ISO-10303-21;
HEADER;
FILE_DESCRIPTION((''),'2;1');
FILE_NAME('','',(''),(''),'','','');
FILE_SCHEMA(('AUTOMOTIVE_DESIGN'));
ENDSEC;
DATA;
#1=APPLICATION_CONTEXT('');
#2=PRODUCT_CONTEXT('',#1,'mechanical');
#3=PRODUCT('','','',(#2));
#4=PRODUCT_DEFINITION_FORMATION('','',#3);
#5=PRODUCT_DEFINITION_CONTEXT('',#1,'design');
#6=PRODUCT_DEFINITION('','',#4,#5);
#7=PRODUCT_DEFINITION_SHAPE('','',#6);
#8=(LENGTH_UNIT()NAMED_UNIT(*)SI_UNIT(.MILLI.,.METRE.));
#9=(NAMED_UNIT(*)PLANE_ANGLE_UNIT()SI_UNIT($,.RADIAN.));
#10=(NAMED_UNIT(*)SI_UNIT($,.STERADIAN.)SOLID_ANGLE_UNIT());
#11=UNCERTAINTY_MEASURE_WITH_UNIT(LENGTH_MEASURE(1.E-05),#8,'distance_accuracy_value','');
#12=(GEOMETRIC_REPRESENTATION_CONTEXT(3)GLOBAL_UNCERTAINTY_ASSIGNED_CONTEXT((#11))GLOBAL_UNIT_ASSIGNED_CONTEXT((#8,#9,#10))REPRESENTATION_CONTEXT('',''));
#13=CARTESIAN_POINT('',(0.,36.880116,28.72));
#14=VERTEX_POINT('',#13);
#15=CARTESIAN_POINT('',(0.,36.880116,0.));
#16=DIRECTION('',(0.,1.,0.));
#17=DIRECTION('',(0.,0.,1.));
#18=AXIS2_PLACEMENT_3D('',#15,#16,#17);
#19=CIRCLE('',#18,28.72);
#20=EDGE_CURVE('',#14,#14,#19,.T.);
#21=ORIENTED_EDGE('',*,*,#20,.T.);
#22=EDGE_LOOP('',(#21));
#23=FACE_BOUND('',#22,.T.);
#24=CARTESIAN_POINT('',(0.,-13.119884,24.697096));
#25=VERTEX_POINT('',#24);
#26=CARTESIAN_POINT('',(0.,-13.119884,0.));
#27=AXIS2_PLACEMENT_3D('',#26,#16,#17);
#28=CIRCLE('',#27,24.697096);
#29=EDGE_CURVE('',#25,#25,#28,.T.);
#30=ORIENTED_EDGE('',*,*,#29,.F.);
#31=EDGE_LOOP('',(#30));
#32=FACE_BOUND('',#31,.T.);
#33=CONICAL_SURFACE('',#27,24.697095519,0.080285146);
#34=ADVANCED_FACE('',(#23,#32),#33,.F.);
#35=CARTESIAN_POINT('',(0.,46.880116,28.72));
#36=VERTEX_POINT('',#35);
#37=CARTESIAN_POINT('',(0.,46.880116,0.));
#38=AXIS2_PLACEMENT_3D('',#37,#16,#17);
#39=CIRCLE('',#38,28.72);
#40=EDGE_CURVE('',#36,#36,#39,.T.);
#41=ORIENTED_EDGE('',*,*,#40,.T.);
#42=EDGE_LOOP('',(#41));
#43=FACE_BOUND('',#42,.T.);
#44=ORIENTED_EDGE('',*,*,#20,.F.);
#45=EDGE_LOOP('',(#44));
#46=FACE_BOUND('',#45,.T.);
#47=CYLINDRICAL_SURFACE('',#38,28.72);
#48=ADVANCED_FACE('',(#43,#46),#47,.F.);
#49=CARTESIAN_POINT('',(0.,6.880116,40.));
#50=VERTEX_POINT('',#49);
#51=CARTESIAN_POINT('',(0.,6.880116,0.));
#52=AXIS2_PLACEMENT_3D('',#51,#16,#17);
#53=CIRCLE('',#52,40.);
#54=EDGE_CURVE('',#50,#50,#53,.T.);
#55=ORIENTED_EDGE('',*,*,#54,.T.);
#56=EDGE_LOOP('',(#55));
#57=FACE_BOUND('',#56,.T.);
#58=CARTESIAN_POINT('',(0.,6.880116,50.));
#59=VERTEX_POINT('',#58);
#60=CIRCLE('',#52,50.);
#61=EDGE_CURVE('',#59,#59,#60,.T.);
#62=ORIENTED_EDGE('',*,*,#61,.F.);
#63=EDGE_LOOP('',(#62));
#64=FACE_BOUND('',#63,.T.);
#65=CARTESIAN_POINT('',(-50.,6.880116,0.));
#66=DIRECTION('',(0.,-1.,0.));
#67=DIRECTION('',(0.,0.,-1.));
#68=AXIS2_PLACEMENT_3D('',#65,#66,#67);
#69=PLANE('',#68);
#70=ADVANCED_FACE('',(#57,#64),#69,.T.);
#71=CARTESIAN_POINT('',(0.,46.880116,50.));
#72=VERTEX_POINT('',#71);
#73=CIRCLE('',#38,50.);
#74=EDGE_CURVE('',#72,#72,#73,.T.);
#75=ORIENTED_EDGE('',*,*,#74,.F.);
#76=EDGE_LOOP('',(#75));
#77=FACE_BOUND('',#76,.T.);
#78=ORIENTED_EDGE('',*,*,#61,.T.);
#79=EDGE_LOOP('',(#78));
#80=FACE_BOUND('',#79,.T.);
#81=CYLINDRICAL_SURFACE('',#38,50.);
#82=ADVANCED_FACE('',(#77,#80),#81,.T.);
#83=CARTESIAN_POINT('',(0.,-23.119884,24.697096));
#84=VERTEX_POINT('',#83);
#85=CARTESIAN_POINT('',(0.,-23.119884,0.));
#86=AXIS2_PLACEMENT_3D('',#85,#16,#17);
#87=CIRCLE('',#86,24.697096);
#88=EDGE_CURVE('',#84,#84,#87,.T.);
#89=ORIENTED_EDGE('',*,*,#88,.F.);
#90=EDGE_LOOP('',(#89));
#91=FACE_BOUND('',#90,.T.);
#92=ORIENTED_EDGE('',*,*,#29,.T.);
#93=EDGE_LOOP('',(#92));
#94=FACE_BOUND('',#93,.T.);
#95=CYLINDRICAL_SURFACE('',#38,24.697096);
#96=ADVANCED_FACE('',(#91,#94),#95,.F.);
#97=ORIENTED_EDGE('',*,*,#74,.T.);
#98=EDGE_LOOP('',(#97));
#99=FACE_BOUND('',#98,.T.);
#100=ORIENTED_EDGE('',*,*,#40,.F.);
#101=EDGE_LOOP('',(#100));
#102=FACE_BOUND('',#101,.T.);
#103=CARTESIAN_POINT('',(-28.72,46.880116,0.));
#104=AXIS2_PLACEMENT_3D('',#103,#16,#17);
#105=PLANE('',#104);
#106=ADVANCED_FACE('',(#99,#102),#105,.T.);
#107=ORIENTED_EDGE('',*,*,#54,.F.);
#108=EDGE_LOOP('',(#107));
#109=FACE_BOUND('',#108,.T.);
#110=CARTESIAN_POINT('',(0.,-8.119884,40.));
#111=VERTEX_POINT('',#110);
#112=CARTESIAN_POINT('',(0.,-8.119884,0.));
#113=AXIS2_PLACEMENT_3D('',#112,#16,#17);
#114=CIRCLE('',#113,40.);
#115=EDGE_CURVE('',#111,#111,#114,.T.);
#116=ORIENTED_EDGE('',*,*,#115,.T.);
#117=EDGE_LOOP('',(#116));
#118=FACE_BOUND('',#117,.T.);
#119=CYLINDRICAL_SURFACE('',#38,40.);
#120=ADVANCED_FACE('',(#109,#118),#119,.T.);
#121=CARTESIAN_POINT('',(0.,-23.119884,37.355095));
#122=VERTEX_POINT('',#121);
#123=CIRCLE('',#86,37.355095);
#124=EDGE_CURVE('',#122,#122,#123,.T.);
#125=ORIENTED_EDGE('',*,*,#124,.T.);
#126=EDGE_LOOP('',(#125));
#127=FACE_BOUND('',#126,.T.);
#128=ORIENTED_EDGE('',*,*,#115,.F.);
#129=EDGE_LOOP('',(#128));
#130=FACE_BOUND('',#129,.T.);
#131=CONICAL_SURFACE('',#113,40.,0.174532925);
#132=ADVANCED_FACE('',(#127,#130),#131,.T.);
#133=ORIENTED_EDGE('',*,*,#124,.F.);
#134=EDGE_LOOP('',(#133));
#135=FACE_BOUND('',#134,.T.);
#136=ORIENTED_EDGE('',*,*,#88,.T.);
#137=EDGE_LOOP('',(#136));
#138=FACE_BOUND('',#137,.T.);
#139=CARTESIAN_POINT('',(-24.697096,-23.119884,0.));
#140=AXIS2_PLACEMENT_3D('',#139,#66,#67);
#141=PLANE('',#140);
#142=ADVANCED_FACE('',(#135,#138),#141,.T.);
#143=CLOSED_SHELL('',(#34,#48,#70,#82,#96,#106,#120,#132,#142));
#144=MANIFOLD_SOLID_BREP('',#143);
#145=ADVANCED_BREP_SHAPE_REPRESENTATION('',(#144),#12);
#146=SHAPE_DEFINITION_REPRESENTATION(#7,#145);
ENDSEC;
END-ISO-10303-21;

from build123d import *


with BuildPart() as part:
    # Szkic1 → Obrót1 (revolve)
    with BuildSketch(Plane.XY, mode=Mode.PRIVATE) as obr_t1_sk:
        Polygon((-28.72, 46.880116473), (-28.72, 36.880116473), (-24.697095519, -13.119883527), (-24.697095519, -23.119883527), (-37.355095289, -23.119883527), (-40, -8.119883527), (-40, 6.880116473), (-50, 6.880116473), (-50, 46.880116473), align=None)
    revolve(obr_t1_sk.sketch.rotate(Axis((0, 46.880116473, 0), (0, -1, 0)), 270), axis=Axis((0, 46.880116473, 0), (0, -1, 0)))


solid = part.part
